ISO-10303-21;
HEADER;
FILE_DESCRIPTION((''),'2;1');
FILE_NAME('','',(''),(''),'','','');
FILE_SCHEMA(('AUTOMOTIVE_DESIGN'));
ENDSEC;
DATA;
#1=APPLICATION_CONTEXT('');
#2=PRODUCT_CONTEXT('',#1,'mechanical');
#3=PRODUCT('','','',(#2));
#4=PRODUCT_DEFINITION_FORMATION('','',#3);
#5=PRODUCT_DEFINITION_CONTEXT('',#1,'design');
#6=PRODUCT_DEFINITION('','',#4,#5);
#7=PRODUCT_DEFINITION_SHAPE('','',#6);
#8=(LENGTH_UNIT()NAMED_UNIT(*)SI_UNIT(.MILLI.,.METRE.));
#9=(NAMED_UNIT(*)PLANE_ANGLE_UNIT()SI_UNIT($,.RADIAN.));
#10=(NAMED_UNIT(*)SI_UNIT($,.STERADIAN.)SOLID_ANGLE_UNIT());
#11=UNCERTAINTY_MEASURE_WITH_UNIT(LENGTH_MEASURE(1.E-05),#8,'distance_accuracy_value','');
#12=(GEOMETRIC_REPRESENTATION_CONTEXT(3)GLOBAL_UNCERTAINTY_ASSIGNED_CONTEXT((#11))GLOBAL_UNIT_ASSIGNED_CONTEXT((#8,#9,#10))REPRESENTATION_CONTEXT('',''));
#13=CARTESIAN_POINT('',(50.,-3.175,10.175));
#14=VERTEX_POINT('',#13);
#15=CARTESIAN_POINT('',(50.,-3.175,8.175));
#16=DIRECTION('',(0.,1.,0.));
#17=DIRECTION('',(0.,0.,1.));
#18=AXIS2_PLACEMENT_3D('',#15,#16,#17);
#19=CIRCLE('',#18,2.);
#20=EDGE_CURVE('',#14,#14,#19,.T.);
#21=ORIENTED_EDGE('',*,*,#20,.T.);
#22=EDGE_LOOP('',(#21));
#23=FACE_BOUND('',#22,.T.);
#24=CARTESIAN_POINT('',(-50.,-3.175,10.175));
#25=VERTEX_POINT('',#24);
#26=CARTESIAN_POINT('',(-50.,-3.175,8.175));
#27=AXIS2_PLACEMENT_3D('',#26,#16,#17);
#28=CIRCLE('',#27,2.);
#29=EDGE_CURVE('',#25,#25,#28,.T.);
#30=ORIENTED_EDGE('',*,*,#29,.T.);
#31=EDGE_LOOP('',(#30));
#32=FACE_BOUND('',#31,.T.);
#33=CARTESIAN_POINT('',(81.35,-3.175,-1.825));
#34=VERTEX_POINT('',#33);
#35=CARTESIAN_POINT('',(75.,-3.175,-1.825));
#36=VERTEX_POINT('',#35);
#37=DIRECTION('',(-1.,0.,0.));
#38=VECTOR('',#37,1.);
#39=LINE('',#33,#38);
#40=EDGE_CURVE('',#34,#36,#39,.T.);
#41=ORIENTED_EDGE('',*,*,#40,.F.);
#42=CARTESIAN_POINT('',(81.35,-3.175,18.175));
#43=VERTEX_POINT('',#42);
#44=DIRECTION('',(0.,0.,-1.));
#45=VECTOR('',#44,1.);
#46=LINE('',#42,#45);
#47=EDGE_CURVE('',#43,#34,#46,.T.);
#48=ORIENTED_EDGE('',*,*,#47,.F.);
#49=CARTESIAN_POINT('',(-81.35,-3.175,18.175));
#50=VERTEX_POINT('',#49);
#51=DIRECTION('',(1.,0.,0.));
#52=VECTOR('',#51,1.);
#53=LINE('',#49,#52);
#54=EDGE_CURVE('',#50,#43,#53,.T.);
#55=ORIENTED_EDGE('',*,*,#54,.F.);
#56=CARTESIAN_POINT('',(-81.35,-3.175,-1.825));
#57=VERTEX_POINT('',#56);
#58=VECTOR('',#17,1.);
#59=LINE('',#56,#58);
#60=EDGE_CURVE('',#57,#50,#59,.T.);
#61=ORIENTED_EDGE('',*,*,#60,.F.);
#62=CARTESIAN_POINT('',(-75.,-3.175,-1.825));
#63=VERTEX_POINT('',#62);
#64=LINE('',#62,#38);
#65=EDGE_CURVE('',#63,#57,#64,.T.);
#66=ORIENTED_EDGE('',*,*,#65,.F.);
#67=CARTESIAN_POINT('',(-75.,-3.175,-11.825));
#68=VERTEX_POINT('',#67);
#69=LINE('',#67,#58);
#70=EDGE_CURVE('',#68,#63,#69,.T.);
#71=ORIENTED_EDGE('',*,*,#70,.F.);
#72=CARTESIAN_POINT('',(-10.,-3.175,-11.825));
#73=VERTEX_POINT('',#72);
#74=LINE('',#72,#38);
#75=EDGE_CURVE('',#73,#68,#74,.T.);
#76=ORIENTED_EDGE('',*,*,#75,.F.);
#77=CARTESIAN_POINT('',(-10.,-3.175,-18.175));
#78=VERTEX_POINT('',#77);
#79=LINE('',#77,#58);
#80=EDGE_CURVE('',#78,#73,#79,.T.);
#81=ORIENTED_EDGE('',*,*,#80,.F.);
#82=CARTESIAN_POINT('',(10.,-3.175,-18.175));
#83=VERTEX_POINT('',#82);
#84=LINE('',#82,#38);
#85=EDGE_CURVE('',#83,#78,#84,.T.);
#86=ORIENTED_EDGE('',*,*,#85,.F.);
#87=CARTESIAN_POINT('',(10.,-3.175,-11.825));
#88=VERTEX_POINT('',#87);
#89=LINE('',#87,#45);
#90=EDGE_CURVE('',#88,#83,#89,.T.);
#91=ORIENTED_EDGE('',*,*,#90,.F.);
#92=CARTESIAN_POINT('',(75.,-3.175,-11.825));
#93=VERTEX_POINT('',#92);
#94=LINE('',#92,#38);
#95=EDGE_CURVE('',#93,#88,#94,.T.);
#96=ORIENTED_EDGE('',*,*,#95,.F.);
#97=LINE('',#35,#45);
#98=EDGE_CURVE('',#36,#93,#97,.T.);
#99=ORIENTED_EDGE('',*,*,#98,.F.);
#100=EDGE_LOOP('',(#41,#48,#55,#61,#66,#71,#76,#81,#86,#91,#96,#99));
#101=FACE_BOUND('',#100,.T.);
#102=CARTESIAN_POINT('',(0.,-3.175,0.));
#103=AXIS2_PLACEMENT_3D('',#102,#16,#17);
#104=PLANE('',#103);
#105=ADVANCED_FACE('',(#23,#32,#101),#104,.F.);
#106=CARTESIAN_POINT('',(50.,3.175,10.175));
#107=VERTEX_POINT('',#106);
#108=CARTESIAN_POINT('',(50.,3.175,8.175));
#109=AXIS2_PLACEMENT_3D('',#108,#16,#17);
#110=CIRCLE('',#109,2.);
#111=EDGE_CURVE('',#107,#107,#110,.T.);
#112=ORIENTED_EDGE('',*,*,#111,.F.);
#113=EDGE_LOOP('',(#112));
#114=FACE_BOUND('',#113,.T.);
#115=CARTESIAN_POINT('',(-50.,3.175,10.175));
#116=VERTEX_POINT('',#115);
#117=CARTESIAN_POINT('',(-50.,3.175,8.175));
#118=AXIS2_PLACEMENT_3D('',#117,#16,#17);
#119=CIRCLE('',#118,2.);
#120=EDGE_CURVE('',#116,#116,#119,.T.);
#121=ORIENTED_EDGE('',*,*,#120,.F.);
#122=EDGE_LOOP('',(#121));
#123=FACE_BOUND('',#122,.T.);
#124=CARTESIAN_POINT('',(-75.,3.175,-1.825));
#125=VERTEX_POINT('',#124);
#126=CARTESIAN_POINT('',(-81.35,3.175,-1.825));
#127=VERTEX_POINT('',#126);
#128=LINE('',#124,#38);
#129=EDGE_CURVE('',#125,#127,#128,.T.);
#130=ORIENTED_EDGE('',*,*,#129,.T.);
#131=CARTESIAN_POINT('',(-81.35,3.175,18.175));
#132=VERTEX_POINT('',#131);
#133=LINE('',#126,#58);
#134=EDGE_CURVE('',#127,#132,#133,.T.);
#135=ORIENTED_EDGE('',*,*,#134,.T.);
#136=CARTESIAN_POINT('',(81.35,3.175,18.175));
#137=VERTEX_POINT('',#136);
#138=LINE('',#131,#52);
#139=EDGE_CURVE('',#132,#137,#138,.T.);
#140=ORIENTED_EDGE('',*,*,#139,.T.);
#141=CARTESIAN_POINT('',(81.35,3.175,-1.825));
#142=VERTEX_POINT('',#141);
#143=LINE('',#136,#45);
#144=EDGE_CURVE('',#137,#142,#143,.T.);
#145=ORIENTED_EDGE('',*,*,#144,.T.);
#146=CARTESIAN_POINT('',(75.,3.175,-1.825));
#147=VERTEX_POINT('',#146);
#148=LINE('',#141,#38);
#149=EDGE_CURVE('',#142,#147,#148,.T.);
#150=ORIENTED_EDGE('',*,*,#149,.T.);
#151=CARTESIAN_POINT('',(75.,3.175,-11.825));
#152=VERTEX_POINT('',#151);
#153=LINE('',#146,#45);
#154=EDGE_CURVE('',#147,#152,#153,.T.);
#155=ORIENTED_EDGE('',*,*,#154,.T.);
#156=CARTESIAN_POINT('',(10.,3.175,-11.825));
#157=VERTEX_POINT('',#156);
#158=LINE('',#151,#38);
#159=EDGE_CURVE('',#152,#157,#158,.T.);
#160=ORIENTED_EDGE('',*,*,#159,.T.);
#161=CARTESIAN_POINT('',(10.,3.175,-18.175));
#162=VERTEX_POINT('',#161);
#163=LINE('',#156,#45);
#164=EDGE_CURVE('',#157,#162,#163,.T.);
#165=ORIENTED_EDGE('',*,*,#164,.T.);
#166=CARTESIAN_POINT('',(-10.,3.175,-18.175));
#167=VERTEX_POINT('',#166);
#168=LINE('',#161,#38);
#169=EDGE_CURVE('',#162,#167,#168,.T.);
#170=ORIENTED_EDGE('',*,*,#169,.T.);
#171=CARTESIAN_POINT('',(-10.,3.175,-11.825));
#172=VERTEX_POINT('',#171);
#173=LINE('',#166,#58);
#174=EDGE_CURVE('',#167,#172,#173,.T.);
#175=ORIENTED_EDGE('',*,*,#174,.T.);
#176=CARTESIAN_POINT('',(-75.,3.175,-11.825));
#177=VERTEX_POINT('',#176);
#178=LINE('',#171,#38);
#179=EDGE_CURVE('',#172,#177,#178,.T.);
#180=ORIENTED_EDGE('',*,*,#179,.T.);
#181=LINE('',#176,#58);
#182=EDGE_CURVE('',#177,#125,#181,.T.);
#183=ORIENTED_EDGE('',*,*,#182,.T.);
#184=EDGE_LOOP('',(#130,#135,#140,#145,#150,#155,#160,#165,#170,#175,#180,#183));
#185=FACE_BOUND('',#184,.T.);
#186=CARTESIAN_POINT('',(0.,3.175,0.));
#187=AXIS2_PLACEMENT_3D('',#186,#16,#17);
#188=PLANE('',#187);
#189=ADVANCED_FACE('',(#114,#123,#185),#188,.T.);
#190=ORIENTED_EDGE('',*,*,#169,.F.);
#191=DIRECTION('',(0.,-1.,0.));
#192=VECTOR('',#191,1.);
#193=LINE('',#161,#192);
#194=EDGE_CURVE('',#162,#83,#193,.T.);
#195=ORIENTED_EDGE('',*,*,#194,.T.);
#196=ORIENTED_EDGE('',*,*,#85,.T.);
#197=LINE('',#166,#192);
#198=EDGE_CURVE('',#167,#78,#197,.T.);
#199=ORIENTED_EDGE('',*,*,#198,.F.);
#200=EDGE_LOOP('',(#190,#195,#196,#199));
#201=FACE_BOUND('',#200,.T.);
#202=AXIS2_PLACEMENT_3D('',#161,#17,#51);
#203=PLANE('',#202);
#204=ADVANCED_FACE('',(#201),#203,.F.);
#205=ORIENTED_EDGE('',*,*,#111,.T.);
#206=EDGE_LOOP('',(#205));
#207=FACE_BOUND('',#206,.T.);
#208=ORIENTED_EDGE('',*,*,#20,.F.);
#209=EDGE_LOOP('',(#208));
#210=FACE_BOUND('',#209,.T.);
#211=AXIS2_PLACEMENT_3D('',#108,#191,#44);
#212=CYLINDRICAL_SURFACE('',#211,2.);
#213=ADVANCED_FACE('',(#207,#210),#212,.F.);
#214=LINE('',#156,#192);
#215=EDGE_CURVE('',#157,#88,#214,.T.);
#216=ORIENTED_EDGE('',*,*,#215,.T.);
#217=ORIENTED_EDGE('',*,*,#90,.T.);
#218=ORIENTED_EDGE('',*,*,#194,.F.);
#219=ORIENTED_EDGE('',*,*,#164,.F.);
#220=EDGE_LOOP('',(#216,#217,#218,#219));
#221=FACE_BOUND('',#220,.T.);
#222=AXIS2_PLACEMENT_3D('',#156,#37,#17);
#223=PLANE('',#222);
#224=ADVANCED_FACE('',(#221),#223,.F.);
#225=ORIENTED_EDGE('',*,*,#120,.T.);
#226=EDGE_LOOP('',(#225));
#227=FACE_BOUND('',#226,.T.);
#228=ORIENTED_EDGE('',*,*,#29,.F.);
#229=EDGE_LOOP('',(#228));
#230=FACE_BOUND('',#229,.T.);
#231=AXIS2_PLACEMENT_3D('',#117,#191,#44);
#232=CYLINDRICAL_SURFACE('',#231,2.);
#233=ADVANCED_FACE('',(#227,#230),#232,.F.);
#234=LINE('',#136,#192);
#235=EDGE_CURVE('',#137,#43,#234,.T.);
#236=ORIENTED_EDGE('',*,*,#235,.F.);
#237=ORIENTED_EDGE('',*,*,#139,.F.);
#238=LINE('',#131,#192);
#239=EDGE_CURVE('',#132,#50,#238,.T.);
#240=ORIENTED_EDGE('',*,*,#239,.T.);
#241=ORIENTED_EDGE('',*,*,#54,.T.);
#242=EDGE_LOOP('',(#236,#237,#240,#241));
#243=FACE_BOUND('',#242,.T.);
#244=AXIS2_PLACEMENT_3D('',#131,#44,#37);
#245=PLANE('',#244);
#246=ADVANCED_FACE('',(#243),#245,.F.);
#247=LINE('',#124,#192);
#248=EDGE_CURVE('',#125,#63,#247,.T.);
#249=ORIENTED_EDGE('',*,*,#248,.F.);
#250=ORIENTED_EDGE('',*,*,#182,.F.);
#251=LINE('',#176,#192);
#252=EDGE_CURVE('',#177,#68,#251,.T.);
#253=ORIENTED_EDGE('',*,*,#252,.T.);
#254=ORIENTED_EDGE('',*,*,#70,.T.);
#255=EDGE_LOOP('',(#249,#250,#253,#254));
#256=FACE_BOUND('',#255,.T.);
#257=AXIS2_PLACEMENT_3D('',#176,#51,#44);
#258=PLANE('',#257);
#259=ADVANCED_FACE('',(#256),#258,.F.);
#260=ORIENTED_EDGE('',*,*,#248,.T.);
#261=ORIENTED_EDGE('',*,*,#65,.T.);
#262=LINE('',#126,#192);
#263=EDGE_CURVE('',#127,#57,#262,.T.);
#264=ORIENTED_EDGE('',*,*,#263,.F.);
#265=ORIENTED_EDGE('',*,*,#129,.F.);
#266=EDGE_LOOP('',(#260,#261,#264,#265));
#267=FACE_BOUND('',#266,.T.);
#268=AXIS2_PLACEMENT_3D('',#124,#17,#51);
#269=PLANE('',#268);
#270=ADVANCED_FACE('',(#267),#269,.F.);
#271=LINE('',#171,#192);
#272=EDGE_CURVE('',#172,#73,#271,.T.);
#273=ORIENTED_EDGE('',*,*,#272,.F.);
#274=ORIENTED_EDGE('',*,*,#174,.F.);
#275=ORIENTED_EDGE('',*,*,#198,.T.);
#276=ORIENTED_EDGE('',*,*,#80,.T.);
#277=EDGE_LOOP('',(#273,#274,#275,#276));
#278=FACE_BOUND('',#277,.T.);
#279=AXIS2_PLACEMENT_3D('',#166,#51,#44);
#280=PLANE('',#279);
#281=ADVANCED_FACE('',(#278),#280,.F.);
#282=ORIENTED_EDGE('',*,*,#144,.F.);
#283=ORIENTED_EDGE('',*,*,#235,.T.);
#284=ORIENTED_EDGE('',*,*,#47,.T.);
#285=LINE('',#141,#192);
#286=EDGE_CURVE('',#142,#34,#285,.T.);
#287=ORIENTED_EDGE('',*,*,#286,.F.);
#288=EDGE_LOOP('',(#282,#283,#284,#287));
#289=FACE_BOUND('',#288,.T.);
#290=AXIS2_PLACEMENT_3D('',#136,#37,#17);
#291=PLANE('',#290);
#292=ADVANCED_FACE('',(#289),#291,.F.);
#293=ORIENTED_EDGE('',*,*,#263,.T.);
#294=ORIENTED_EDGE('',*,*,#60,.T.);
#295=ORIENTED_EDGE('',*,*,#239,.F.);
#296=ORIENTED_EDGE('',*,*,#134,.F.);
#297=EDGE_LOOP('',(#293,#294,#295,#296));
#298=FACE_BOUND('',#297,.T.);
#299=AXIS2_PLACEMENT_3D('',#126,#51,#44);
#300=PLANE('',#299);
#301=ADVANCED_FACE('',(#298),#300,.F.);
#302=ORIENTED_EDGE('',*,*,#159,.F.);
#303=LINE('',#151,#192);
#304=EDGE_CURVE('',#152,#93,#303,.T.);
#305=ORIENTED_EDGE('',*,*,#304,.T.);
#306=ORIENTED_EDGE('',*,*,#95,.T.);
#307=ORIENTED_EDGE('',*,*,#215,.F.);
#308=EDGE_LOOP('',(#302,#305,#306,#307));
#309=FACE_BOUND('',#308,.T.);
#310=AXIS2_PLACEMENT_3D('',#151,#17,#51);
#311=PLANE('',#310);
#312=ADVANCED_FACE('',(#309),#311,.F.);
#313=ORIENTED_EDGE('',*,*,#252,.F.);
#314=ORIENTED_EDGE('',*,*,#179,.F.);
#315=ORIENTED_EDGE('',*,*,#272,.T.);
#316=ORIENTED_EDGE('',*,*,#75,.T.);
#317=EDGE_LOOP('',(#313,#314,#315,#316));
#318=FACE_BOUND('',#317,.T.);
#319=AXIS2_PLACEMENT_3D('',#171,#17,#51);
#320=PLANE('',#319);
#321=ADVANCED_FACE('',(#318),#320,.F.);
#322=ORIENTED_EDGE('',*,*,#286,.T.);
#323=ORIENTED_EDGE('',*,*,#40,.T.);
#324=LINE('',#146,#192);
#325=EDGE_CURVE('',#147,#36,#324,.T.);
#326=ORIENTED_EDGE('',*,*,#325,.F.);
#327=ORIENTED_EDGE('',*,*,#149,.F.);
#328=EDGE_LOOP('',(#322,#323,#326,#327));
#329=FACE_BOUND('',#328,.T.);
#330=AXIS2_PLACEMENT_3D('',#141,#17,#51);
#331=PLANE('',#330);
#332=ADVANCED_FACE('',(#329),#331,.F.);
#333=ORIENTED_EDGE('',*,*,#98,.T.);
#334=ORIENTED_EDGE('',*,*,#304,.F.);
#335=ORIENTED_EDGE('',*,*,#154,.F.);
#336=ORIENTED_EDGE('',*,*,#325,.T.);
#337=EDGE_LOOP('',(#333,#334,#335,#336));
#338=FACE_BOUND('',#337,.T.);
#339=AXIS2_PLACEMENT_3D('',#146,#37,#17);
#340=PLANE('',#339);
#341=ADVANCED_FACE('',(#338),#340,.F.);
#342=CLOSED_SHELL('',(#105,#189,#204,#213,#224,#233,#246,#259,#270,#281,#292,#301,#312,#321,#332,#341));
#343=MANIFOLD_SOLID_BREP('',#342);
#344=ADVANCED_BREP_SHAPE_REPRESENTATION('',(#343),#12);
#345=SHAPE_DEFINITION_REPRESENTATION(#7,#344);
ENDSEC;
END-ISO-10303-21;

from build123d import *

# Parameters (mm, degrees)
SKETCH1_R           = 2
BOSS_EXTRUDE1_DEPTH = 3.175


with BuildPart() as part:
    # Sketch1 → Boss-Extrude1 (new, symmetric)
    with BuildSketch(Plane(origin=(0, 0, 0), x_dir=(1, 0, 0), z_dir=(0, 1, 0))):
        Polygon((-81.35, -18.175), (81.35, -18.175), (81.35, 1.825), (75, 1.825), (75, 11.825), (10, 11.825), (10, 18.175), (-10, 18.175), (-10, 11.825), (-75, 11.825), (-75, 1.825), (-81.35, 1.825), align=None)
        with Locations(Location((-50, -8.175, 0), (0, 0, 270))):
            Circle(SKETCH1_R, mode=Mode.SUBTRACT)
        with Locations(Location((50, -8.175, 0), (0, 0, 270))):
            Circle(SKETCH1_R, mode=Mode.SUBTRACT)
    extrude(amount=BOSS_EXTRUDE1_DEPTH, both=True)


solid = part.part
